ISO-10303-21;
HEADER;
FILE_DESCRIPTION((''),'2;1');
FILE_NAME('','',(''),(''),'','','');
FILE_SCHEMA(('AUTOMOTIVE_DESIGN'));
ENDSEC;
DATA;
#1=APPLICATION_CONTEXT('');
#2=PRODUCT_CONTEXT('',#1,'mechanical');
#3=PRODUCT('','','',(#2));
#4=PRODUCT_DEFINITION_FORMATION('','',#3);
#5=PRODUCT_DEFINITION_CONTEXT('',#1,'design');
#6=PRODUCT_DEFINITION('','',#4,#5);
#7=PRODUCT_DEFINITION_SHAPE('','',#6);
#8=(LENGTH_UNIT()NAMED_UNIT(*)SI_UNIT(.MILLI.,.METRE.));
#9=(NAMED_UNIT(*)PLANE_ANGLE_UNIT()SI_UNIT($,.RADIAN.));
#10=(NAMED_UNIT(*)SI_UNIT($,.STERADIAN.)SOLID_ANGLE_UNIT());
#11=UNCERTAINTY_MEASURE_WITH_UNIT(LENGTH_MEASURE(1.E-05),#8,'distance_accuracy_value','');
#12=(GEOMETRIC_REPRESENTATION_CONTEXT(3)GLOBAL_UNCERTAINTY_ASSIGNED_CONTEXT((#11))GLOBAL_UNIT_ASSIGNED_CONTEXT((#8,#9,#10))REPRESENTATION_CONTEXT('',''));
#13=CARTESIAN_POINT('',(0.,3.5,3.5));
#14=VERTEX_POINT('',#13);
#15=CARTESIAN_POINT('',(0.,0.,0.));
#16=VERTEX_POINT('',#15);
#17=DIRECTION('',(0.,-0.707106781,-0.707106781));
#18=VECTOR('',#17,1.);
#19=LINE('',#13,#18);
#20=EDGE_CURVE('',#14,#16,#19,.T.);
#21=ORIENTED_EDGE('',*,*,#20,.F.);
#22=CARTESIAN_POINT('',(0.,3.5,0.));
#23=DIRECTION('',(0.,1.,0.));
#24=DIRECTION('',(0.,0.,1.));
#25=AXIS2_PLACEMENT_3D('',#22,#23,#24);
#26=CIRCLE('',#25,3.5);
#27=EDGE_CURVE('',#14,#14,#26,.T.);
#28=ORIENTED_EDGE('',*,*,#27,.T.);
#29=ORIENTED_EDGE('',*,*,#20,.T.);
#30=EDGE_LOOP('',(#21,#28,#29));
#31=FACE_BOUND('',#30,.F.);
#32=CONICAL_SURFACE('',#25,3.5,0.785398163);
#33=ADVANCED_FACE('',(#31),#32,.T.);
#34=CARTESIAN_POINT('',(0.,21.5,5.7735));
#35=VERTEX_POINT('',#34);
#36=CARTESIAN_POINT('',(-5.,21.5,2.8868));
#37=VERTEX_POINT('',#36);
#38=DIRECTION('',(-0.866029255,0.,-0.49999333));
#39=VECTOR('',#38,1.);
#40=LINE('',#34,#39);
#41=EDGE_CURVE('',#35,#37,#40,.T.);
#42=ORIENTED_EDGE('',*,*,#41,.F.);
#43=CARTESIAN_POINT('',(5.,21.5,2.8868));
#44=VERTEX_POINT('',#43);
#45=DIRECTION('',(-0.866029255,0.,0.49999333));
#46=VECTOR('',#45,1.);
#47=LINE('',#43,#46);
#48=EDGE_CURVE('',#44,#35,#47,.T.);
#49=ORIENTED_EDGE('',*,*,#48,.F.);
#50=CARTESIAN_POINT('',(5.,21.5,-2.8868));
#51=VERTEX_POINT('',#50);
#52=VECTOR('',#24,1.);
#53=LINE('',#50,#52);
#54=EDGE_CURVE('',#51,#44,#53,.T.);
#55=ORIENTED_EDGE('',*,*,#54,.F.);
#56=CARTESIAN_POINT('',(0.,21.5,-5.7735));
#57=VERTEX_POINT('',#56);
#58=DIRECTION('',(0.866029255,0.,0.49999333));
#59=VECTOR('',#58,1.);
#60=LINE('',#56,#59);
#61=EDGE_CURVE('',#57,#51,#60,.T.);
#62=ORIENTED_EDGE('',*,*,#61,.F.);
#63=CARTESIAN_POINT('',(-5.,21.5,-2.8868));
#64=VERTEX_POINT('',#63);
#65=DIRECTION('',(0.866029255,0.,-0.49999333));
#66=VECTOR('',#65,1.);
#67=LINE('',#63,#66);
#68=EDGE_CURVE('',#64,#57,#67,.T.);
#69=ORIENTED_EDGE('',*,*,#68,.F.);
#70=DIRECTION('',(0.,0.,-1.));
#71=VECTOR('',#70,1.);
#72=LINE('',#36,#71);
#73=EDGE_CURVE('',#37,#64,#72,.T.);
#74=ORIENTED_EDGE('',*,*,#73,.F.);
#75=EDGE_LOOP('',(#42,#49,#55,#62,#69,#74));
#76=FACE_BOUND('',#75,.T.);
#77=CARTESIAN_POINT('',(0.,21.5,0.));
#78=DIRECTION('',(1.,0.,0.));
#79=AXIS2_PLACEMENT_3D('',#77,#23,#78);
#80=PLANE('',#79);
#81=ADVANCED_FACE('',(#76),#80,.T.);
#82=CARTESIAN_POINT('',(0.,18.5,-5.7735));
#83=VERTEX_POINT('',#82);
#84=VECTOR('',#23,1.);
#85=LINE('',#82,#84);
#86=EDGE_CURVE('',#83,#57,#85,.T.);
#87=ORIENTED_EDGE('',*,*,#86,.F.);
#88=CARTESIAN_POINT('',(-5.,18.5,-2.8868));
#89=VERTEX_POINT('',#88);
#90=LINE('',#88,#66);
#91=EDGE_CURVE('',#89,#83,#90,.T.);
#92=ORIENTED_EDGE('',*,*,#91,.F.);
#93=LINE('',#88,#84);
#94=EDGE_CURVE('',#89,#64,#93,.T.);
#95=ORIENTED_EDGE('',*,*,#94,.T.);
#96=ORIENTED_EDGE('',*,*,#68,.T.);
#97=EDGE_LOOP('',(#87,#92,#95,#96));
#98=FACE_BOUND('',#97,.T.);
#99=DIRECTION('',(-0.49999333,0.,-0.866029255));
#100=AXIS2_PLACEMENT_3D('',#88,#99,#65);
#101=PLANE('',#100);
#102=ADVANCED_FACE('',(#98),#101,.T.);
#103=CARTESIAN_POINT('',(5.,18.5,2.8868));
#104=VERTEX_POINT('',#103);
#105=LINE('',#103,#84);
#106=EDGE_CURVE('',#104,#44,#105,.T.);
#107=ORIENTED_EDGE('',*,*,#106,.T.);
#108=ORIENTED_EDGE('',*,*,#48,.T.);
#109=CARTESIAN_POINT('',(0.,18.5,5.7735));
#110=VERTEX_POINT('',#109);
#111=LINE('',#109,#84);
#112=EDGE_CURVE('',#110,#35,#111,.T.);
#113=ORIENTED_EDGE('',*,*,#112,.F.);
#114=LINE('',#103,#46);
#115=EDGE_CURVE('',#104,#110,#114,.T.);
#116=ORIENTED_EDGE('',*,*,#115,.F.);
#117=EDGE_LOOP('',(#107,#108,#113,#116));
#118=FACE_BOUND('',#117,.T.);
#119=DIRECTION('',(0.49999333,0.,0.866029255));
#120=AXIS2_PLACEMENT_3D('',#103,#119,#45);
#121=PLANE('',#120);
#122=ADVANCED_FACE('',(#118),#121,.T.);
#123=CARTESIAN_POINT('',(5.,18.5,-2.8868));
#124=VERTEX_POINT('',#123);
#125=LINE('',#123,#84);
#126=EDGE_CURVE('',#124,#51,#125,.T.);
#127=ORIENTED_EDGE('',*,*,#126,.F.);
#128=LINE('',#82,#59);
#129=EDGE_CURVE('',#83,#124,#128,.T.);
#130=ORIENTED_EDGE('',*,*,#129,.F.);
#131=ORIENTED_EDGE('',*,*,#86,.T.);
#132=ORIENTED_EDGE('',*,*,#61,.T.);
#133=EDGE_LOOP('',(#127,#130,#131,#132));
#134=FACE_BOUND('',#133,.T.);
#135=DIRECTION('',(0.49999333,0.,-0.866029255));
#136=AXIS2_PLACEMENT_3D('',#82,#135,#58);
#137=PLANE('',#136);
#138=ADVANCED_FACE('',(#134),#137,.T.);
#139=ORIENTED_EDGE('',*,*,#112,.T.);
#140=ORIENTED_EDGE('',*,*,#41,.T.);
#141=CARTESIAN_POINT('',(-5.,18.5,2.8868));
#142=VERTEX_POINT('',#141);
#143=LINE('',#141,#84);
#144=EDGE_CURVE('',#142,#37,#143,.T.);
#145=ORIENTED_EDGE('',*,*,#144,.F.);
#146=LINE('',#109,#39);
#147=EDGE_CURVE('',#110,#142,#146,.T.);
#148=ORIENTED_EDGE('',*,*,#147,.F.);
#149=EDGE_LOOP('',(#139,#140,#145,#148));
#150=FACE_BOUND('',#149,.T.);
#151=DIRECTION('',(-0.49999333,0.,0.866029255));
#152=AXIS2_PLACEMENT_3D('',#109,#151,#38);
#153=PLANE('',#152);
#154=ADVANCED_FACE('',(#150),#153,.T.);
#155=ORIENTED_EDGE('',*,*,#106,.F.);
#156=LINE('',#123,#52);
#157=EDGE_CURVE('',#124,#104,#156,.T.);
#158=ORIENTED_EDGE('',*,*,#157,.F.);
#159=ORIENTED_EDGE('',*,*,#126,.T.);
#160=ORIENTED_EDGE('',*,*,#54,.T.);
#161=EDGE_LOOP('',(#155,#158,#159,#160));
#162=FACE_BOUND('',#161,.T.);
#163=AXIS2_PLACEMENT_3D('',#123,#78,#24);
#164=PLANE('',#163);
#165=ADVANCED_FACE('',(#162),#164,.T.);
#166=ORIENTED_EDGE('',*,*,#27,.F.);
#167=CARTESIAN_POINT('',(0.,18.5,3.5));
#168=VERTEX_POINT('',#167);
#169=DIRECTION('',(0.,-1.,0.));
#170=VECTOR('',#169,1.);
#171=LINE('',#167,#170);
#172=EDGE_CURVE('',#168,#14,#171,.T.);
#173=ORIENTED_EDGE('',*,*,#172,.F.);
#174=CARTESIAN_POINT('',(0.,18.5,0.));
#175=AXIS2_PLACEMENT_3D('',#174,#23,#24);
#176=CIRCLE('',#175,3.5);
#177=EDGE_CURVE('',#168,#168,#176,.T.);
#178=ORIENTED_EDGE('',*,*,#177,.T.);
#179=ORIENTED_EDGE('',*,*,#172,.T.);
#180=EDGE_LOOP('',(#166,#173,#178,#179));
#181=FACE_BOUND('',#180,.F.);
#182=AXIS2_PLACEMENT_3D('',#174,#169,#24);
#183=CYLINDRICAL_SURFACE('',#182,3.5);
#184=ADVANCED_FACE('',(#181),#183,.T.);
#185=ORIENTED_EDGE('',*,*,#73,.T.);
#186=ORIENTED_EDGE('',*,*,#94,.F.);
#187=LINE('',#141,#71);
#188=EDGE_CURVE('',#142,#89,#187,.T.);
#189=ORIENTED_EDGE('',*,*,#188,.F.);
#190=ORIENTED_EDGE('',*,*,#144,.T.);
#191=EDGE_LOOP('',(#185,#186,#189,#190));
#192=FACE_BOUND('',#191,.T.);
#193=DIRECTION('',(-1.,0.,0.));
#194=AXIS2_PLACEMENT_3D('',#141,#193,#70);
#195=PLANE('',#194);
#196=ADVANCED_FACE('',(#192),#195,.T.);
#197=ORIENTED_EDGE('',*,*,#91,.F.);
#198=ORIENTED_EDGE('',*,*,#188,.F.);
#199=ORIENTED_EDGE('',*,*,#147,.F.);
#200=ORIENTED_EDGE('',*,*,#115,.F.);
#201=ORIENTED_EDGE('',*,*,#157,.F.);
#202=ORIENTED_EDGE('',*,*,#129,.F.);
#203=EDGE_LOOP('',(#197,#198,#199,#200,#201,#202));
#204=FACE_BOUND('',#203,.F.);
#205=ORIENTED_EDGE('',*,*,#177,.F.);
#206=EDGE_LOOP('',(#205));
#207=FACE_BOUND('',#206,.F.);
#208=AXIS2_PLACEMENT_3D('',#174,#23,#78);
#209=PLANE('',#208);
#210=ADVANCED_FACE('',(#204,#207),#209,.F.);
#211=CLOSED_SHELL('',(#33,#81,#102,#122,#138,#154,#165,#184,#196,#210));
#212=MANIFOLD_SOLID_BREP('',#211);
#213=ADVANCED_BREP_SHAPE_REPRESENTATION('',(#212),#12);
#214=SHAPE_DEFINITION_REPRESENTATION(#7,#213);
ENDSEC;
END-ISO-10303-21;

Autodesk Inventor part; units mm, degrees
ref_plane "YZ Plane" through (0, 0, 0) normal (1, 0, 0) x (0, 1, 0)
ref_plane "XZ Plane" through (0, 0, 0) normal (0, 1, 0) x (-1, 0, 0)
ref_plane "XY Plane" through (0, 0, 0) normal (0, 0, 1) x (1, 0, 0)
sketch "Sketch1" plane through (0, 0, 0) normal (1, 0, 0) x (0, 1, 0)
  line L0 (0, 0) -> (18.5, 0)
  line L1 (18.5, 0) -> (18.5, 3.5)
  line L2 (18.5, 3.5) -> (3.5, 3.5)
  line L3 (3.5, 3.5) -> (0, 0)
  dimension "d0" = 135
  dimension "d1" = 3.5
  dimension "d2" = 18.5
revolve "Revolution1" add sketch "Sketch1" angle 360 about axis through (0, 0, 0) along (0, 1, 0)
thread "Thread1" size "M7x1" class "6g" standard "ANSI Metric M Profile" full length
sketch "Sketch2" plane through (0, 18.5, 0) normal (0, 1, 0) x (1, 0, 0)
  circle A0 centre (0, 0) radius 5 construction
  line L0 (-5, -2.8868) -> (-5, 2.8868)
  line L1 (-5, 2.8868) -> (0, 5.7735)
  line L2 (0, 5.7735) -> (5, 2.8868)
  line L3 (5, 2.8868) -> (5, -2.8868)
  line L4 (5, -2.8868) -> (0, -5.7735)
  line L5 (0, -5.7735) -> (-5, -2.8868)
  dimension "d6" = 10
  dimension "d7" = 120
extrude "Extrusion1" add sketch "Sketch2" along normal blind 3
properties part number "side bolt"
